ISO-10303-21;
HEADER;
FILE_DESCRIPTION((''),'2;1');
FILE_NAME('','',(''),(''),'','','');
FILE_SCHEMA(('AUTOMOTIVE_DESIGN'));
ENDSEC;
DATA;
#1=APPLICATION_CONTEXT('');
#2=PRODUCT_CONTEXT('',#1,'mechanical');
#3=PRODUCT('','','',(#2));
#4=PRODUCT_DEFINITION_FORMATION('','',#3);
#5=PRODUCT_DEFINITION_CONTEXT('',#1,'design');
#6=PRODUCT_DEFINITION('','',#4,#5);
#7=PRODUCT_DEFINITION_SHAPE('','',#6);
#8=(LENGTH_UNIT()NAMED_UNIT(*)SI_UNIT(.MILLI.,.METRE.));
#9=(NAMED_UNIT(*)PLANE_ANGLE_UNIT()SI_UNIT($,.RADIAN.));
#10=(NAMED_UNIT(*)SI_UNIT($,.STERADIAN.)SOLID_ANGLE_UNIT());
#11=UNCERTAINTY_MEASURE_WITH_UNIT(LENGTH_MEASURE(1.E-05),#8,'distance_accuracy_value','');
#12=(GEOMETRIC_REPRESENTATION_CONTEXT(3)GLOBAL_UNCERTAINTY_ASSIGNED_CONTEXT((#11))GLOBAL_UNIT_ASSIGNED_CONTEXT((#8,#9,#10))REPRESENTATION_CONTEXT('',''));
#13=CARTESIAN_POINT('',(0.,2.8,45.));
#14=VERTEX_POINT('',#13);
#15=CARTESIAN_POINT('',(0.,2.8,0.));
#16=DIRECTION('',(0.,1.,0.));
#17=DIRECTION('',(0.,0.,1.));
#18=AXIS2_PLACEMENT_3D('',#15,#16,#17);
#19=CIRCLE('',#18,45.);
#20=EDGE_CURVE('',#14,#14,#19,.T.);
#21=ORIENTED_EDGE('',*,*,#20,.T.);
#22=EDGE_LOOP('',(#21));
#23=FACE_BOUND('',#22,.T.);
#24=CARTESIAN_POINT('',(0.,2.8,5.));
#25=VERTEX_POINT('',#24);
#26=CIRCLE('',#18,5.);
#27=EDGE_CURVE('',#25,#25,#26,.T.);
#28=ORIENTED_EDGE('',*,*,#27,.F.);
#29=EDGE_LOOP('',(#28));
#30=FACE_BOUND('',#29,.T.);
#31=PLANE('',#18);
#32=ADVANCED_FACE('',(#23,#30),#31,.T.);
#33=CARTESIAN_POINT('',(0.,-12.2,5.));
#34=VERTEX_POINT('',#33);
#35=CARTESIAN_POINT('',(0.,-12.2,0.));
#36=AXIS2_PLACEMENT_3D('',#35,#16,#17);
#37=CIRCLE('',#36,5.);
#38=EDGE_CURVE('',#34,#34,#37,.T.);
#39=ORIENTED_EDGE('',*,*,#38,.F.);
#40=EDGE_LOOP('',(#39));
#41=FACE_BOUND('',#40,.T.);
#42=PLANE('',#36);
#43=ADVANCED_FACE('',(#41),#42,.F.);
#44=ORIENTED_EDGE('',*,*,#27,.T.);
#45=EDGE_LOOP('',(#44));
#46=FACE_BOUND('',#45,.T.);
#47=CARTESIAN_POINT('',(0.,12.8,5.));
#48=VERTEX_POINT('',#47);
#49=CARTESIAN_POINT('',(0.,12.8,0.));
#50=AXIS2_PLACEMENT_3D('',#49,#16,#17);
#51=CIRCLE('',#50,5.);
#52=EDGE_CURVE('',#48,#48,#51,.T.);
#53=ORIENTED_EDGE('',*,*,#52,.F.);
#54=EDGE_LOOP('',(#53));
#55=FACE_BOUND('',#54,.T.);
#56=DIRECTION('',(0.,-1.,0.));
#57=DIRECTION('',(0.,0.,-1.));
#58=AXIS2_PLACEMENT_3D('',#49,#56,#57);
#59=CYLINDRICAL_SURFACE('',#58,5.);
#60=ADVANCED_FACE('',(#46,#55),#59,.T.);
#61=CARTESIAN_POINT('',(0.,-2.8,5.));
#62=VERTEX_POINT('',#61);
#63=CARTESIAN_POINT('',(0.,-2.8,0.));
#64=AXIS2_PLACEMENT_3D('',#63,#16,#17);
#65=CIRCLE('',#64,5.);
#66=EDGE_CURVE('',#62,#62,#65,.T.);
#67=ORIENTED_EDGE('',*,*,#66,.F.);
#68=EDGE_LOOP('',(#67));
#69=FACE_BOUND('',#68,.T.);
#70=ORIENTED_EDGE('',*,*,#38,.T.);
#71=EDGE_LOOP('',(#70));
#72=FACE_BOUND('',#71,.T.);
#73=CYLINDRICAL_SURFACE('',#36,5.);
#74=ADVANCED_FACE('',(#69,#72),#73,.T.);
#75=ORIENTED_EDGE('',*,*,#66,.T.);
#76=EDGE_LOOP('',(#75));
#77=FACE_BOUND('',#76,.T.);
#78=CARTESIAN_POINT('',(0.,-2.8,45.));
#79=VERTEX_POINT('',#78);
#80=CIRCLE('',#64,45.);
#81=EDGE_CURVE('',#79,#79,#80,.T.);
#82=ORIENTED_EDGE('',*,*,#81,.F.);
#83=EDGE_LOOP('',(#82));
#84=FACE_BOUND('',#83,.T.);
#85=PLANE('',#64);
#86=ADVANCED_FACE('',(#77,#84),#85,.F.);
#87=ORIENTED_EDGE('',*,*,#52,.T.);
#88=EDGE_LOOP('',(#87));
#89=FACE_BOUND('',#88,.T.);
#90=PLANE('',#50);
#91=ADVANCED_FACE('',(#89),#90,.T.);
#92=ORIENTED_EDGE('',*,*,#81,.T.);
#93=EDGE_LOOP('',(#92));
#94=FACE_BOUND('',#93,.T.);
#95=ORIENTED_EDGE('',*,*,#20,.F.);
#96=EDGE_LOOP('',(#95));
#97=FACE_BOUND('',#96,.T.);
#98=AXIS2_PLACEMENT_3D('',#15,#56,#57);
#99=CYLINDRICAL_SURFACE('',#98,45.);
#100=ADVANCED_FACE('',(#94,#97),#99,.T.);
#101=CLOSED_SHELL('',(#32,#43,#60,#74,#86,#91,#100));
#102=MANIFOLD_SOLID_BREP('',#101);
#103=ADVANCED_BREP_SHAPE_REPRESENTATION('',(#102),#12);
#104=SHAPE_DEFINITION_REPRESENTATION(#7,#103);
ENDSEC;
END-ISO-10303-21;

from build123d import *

# Parameters (mm, degrees)
SKETCH1_R           = 45
BOSS_EXTRUDE1_DEPTH = 2.8
SKETCH3_R           = 5
BOSS_EXTRUDE2_DEPTH = 10
BOSS_EXTRUDE3_START = -15
SKETCH3_2_R         = 5
BOSS_EXTRUDE3_DEPTH = 15


with BuildPart() as part:
    # Sketch1 → Boss-Extrude1 (new, symmetric)
    with BuildSketch(Plane(origin=(0, 0, 0), x_dir=(1, 0, 0), z_dir=(0, 1, 0))):
        Circle(SKETCH1_R)
    extrude(amount=BOSS_EXTRUDE1_DEPTH, both=True)

    # Sketch3 → Boss-Extrude2 (add)
    with BuildSketch(Plane(origin=(0, 2.8, 0), x_dir=(1, 0, 0), z_dir=(0, 1, 0))):
        Circle(SKETCH3_R)
    extrude(amount=BOSS_EXTRUDE2_DEPTH)

    # Sketch3<2> → Boss-Extrude3 (add)
    with BuildSketch(Plane(origin=(0, 2.8, 0), x_dir=(1, 0, 0), z_dir=(0, 1, 0)).offset(BOSS_EXTRUDE3_START)):
        Circle(SKETCH3_2_R)
    extrude(amount=BOSS_EXTRUDE3_DEPTH)


solid = part.part
